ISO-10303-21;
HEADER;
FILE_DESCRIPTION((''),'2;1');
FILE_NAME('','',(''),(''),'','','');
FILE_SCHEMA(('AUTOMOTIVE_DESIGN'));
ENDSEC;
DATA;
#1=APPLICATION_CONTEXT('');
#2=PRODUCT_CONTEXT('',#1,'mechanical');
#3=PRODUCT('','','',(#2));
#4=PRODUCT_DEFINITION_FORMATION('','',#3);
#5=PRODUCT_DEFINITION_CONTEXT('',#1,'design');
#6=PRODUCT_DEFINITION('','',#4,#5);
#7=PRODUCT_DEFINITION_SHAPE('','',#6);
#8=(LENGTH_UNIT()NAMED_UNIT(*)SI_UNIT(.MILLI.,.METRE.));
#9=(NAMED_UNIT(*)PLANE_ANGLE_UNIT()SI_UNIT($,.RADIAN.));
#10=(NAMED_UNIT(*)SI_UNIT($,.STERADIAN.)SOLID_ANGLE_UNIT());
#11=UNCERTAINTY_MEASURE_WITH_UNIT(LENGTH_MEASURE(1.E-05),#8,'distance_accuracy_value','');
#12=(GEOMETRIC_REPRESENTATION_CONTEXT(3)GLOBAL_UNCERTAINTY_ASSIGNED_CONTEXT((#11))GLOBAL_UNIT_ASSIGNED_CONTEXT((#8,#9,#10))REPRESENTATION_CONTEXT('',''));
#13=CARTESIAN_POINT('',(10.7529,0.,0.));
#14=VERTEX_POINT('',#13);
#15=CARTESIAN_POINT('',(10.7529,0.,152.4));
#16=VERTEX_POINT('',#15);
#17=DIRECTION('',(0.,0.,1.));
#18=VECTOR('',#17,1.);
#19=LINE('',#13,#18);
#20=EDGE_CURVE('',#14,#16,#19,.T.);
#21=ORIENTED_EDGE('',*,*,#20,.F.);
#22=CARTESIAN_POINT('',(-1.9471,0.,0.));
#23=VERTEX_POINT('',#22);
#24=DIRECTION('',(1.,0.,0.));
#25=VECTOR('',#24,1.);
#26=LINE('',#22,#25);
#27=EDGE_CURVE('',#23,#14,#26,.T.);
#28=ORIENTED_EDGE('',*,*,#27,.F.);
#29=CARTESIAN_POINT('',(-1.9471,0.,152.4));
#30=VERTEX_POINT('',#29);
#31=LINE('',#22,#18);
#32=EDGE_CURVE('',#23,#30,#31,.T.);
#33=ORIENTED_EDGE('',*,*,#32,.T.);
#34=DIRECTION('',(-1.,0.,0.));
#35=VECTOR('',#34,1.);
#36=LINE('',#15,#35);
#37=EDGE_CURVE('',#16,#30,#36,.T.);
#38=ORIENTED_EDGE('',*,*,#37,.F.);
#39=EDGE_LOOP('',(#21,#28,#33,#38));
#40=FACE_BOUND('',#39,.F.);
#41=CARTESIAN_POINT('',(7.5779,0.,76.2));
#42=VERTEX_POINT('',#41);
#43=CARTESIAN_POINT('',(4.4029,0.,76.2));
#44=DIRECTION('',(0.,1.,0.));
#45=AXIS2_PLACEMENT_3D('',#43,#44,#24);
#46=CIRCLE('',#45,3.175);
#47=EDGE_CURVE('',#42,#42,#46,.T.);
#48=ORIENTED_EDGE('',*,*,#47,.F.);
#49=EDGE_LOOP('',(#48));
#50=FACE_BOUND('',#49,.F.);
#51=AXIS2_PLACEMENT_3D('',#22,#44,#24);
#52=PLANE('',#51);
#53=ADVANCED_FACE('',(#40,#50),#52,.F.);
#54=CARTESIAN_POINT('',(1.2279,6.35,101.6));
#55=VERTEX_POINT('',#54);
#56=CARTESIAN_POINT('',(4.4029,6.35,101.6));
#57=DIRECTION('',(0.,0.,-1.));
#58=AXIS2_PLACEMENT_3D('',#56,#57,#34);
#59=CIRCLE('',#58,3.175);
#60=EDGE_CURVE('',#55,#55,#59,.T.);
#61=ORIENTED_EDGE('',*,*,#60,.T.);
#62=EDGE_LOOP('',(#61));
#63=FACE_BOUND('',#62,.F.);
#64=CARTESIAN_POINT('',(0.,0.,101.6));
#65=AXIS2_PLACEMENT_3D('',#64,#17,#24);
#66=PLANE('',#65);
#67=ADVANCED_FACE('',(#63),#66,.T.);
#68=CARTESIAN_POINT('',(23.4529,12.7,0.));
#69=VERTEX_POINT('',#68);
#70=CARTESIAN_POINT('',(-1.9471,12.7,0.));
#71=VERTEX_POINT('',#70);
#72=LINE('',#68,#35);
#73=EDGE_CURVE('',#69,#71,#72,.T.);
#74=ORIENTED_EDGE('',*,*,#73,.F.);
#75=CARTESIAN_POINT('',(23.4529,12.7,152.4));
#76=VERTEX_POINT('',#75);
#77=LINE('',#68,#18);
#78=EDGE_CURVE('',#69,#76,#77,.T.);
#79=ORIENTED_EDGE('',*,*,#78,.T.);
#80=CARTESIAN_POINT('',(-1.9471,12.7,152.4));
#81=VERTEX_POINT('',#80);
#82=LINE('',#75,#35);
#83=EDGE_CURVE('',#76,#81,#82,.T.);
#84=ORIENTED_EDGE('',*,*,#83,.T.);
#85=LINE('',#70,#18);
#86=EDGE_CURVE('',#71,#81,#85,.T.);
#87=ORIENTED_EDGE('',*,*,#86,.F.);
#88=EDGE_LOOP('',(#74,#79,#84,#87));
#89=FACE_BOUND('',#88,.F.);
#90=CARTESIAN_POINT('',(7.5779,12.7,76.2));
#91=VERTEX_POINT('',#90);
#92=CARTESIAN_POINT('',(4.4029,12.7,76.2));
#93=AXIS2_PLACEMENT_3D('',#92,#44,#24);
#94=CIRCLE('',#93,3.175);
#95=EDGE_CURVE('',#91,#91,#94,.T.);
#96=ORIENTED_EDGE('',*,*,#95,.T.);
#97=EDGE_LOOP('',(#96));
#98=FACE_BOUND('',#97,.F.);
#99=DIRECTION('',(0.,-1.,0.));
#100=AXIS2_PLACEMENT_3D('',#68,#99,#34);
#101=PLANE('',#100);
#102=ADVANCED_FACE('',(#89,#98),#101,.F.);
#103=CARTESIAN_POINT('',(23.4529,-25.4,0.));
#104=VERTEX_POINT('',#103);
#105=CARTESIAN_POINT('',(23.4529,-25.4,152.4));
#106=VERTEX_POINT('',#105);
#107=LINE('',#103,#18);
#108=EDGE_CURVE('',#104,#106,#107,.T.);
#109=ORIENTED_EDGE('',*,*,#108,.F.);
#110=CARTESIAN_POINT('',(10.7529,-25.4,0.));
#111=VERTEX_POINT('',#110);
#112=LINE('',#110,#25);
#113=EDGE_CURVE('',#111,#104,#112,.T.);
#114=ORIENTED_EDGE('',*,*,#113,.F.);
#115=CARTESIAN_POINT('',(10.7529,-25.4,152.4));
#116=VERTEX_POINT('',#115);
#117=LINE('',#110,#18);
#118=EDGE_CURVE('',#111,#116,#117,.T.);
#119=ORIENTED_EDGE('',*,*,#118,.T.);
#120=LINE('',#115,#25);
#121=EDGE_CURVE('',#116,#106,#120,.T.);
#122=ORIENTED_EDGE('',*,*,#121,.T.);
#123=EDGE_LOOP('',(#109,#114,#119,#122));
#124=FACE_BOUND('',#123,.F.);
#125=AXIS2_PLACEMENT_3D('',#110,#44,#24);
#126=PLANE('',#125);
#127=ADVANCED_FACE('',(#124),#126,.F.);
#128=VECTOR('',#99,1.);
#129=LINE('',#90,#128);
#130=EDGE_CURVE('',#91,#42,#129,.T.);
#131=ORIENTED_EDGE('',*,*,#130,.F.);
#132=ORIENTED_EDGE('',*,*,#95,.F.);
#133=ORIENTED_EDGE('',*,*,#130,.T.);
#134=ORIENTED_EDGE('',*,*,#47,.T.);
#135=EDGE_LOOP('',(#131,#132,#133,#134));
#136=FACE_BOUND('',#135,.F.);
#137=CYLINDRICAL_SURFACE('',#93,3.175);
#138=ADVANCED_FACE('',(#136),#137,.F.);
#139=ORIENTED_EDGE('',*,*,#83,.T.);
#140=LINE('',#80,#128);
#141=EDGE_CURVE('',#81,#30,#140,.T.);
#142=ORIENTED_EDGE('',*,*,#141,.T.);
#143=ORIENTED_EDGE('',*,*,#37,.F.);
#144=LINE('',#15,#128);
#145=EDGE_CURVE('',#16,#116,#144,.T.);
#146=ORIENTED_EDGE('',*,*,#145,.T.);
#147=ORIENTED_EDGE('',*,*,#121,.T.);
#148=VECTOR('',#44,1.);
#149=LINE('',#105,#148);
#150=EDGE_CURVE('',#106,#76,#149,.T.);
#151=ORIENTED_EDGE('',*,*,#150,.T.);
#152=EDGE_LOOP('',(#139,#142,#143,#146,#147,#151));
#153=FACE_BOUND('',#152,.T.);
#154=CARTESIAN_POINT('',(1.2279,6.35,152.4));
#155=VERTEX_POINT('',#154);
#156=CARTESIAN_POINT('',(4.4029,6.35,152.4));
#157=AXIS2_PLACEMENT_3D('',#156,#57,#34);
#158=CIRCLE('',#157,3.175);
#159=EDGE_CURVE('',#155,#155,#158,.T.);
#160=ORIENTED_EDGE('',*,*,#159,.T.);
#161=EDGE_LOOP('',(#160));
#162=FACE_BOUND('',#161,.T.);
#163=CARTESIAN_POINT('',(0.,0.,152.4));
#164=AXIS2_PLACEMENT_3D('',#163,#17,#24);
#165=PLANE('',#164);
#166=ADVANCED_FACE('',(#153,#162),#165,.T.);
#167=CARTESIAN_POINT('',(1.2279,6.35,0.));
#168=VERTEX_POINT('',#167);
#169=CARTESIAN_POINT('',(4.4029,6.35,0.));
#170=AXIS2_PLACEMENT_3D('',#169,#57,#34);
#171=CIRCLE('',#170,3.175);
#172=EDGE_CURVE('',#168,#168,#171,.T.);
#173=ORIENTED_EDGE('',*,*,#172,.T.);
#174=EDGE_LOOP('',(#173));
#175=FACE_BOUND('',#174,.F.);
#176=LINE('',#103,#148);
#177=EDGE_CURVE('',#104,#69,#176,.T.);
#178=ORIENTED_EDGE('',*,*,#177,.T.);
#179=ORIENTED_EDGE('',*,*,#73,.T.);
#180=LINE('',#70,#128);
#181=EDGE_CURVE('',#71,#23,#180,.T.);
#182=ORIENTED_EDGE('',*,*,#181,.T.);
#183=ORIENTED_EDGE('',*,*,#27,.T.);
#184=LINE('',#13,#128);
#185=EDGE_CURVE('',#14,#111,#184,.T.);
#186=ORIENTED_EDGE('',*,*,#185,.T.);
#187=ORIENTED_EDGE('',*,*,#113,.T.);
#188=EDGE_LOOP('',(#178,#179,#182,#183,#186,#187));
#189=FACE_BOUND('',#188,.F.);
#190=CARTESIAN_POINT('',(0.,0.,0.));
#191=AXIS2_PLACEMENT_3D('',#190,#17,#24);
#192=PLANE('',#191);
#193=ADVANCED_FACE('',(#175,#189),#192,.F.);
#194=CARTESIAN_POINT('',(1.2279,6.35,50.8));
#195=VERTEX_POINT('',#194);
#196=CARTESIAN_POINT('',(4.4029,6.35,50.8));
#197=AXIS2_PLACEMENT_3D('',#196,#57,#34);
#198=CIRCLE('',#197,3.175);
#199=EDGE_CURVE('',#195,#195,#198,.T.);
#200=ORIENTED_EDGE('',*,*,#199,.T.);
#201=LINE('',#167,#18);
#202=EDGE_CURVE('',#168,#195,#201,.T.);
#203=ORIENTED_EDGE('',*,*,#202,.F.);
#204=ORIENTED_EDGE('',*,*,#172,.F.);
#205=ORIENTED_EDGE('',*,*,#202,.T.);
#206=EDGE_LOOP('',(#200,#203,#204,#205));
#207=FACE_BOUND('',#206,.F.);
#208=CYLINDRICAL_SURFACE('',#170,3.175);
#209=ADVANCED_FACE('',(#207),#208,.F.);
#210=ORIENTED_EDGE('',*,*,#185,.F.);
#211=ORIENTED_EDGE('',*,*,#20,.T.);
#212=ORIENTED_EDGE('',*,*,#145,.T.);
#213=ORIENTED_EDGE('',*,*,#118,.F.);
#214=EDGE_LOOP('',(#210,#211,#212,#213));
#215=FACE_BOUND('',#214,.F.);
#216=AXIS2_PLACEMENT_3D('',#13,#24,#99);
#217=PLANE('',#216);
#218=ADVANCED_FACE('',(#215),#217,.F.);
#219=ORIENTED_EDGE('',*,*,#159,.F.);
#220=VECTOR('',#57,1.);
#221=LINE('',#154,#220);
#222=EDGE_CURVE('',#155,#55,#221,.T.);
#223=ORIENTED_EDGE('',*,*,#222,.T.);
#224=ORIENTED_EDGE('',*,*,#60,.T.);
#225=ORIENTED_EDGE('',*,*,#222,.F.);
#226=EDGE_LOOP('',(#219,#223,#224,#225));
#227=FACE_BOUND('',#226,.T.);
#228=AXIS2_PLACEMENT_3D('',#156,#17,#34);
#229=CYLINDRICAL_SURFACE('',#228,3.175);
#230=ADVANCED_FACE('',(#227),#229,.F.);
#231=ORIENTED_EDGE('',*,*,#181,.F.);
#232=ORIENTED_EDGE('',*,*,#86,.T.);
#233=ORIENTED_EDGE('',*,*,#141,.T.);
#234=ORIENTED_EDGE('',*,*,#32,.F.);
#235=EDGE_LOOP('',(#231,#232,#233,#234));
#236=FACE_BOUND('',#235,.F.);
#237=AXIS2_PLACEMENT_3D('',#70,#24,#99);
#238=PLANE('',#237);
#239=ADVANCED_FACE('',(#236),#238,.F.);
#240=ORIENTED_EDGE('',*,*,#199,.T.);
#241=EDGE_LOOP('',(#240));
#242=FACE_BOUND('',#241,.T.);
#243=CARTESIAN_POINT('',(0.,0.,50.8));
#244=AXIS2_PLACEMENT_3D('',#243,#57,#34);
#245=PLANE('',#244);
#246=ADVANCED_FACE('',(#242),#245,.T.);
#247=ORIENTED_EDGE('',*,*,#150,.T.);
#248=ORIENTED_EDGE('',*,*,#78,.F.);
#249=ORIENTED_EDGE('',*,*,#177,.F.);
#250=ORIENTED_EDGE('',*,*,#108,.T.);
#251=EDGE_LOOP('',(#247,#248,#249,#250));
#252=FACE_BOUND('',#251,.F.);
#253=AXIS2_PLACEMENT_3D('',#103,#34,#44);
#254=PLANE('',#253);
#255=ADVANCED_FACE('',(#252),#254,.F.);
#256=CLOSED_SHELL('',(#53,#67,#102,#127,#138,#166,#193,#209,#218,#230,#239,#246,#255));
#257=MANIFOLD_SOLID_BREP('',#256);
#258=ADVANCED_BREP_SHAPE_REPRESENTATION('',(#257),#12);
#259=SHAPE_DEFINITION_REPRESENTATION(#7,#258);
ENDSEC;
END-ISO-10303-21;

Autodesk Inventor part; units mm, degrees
ref_plane "YZ Plane" through (0, 0, 0) normal (1, 0, 0) x (0, 1, 0)
ref_plane "XZ Plane" through (0, 0, 0) normal (0, 1, 0) x (-1, 0, 0)
ref_plane "XY Plane" through (0, 0, 0) normal (0, 0, 1) x (1, 0, 0)
sketch "Sketch1" plane through (0, 0, 0) normal (0, 0, 1) x (1, 0, 0)
  line L0 (0, 0) -> (10.7529, 0)
  line L1 (10.7529, 0) -> (10.7529, -25.4)
  line L2 (10.7529, -25.4) -> (23.4529, -25.4)
  line L3 (23.4529, -25.4) -> (23.4529, 12.7)
  line L4 (23.4529, 12.7) -> (-1.9471, 12.7)
  line L5 (-1.9471, 12.7) -> (-1.9471, 0)
  line L6 (-1.9471, 0) -> (10.7529, 0)
  dimension "d0" = 25.4
  dimension "d1" = 12.7
  dimension "d2" = 12.7
  dimension "d3" = 12.7
extrude "Extrusion1" add sketch "Sketch1" along normal blind 152.4
sketch "Sketch2" plane through (-1.9471, 12.7, 0) normal (0, 1, 0) x (1, 0, 0)
  circle A0 centre (6.35, -76.2) radius 3.175
  line L0 (25.4, -152.4) -> (0, -152.4) projected
  line L1 (0, 0) -> (0, -152.4) projected
  point P0 (1.9471, 0)
  dimension "d6" = 6.35
  dimension "d7" = 76.2
  dimension "d8" = 6.35
extrude "Extrusion2" cut sketch "Sketch2" against normal blind 12.7
sketch "Sketch3" plane through (0, 0, 0) normal (0, 0, -1) x (-1, 0, 0)
  circle A0 centre (-4.4029, 6.35) radius 3.175
  line L0 (1.9471, 0) -> (-10.7529, 0) projected
  line L1 (1.9471, 12.7) -> (1.9471, 0) projected
  point P0 (0, 0)
  dimension "d11" = 6.35
  dimension "d12" = 6.35
  dimension "d13" = 6.35
extrude "Extrusion3" cut sketch "Sketch3" against normal blind 50.8
ref_plane "Work Plane1" through (-1.9471, 12.7, 76.2) normal (0, 0, -1) x (1, 0, 0)
mirror "Mirror1" about plane through (-1.9471, 12.7, 76.2) normal (0, 0, -1) of "Extrusion3"
properties part number "FuselageWingBoxJoint"
